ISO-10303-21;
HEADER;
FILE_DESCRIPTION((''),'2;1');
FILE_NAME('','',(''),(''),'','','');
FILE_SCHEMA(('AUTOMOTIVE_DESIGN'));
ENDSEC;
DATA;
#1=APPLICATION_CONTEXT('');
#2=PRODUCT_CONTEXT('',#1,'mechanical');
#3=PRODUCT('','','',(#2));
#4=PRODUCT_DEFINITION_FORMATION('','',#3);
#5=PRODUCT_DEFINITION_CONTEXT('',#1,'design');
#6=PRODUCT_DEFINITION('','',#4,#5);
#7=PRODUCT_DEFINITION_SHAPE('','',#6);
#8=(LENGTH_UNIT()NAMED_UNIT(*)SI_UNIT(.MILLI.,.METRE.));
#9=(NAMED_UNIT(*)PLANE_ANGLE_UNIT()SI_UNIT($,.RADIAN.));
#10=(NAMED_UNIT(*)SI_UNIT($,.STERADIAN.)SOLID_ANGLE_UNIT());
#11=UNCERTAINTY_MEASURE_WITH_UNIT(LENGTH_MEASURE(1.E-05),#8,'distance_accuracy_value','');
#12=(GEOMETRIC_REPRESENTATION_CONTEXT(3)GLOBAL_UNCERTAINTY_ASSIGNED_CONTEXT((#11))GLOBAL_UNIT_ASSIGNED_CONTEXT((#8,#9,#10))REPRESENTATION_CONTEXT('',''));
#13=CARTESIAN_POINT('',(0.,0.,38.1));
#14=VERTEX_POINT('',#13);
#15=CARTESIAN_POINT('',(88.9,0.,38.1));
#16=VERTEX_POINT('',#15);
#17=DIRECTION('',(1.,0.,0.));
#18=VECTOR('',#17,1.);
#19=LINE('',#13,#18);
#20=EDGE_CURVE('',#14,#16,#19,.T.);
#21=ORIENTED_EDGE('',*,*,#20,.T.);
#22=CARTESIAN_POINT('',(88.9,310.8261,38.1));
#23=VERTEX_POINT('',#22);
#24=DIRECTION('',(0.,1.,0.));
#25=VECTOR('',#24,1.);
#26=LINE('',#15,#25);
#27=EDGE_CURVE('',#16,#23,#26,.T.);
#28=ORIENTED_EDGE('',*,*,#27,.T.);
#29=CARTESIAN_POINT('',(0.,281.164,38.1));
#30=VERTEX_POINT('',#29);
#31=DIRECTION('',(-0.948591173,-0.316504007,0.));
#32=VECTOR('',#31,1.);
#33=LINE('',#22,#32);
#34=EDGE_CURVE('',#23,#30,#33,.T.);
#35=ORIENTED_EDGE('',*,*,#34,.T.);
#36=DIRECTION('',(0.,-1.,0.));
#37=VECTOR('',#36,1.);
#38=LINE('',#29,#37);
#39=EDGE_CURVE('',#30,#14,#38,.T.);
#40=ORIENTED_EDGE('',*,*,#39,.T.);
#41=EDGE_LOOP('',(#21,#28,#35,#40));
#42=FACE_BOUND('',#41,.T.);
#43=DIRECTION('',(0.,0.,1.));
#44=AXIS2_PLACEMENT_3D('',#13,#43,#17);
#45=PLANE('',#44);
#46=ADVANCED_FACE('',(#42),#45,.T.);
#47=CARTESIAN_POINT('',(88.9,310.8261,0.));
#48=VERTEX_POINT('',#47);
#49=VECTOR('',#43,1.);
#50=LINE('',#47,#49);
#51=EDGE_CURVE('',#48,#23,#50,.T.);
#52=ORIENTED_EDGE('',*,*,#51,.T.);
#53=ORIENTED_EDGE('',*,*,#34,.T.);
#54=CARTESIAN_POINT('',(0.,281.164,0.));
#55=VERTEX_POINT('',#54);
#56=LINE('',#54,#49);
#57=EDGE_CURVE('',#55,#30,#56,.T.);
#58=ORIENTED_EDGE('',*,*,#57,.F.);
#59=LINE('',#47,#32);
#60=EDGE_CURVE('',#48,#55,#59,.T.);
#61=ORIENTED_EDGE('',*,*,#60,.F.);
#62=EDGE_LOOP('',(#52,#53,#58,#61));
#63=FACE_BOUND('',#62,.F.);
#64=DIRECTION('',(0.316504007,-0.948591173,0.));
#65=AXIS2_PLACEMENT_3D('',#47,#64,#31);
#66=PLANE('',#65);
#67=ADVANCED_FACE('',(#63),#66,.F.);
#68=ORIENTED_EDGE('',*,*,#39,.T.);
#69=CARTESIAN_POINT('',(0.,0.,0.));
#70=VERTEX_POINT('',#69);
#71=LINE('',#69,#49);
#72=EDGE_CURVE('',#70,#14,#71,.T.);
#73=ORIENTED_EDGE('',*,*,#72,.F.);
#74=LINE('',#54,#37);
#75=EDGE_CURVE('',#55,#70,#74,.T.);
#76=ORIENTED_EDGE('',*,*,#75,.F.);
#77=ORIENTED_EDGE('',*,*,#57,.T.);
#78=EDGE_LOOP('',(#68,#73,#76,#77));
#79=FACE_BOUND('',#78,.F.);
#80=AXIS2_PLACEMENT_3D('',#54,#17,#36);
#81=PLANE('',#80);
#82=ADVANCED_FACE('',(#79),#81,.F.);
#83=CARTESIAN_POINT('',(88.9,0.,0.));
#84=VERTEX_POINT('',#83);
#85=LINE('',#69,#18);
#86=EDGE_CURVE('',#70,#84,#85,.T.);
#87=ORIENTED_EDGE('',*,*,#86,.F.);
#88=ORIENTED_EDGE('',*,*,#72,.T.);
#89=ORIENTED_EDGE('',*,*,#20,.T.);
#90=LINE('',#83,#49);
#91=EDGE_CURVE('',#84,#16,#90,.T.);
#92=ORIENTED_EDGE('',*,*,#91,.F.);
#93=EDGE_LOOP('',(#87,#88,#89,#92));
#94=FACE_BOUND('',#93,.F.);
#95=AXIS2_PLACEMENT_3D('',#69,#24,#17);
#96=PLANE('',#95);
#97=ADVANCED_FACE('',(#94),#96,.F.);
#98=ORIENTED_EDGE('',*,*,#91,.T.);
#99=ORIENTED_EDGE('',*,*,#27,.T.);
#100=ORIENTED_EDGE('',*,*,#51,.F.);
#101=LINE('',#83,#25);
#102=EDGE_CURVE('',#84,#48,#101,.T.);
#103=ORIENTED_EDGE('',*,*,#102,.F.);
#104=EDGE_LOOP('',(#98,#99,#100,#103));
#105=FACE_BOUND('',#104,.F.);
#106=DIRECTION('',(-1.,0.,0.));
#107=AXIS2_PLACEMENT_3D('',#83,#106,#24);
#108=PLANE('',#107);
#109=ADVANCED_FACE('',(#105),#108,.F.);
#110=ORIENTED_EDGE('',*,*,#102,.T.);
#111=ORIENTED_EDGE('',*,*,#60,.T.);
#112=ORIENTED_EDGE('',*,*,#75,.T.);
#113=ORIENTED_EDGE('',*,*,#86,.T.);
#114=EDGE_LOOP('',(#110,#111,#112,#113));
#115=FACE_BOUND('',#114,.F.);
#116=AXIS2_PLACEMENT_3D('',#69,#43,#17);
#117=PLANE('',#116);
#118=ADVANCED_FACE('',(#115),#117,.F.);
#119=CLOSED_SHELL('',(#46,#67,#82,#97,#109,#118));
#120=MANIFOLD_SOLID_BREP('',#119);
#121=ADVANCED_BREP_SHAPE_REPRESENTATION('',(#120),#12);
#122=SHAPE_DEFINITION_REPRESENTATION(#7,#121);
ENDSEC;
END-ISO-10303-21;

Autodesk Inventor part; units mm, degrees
ref_plane "YZ Plane" through (0, 0, 0) normal (1, 0, 0) x (0, 1, 0)
ref_plane "XZ Plane" through (0, 0, 0) normal (0, 1, 0) x (-1, 0, 0)
ref_plane "XY Plane" through (0, 0, 0) normal (0, 0, 1) x (1, 0, 0)
sketch "Sketch1" plane through (0, 0, 0) normal (0, 0, 1) x (1, 0, 0)
  line L0 (0, 0) -> (88.9, 0)
  line L1 (88.9, 0) -> (88.9, 310.8261)
  line L2 (0, 281.164) -> (0, 0)
  line L3 (88.9, 310.8261) -> (0, 281.164)
  line L4 (88.9, 310.8261) -> (-3175, 310.8261)
  line L5 (-3175, 310.8261) -> (-3175, -778.1989)
  line L6 (-3175, -778.1989) -> (88.9, 310.8261)
  dimension "d3" = 88.9
  dimension "d6" = 310.8261
  dimension "d9" = 3263.9
  dimension "d10" = 1089.025
extrude "Extrusion1" add sketch "Sketch1" along normal blind 38.1 contours L2 L3 L1 L0
properties part number "Stud_With_Height_42.5_Inches" material "Wood (Birch)"
